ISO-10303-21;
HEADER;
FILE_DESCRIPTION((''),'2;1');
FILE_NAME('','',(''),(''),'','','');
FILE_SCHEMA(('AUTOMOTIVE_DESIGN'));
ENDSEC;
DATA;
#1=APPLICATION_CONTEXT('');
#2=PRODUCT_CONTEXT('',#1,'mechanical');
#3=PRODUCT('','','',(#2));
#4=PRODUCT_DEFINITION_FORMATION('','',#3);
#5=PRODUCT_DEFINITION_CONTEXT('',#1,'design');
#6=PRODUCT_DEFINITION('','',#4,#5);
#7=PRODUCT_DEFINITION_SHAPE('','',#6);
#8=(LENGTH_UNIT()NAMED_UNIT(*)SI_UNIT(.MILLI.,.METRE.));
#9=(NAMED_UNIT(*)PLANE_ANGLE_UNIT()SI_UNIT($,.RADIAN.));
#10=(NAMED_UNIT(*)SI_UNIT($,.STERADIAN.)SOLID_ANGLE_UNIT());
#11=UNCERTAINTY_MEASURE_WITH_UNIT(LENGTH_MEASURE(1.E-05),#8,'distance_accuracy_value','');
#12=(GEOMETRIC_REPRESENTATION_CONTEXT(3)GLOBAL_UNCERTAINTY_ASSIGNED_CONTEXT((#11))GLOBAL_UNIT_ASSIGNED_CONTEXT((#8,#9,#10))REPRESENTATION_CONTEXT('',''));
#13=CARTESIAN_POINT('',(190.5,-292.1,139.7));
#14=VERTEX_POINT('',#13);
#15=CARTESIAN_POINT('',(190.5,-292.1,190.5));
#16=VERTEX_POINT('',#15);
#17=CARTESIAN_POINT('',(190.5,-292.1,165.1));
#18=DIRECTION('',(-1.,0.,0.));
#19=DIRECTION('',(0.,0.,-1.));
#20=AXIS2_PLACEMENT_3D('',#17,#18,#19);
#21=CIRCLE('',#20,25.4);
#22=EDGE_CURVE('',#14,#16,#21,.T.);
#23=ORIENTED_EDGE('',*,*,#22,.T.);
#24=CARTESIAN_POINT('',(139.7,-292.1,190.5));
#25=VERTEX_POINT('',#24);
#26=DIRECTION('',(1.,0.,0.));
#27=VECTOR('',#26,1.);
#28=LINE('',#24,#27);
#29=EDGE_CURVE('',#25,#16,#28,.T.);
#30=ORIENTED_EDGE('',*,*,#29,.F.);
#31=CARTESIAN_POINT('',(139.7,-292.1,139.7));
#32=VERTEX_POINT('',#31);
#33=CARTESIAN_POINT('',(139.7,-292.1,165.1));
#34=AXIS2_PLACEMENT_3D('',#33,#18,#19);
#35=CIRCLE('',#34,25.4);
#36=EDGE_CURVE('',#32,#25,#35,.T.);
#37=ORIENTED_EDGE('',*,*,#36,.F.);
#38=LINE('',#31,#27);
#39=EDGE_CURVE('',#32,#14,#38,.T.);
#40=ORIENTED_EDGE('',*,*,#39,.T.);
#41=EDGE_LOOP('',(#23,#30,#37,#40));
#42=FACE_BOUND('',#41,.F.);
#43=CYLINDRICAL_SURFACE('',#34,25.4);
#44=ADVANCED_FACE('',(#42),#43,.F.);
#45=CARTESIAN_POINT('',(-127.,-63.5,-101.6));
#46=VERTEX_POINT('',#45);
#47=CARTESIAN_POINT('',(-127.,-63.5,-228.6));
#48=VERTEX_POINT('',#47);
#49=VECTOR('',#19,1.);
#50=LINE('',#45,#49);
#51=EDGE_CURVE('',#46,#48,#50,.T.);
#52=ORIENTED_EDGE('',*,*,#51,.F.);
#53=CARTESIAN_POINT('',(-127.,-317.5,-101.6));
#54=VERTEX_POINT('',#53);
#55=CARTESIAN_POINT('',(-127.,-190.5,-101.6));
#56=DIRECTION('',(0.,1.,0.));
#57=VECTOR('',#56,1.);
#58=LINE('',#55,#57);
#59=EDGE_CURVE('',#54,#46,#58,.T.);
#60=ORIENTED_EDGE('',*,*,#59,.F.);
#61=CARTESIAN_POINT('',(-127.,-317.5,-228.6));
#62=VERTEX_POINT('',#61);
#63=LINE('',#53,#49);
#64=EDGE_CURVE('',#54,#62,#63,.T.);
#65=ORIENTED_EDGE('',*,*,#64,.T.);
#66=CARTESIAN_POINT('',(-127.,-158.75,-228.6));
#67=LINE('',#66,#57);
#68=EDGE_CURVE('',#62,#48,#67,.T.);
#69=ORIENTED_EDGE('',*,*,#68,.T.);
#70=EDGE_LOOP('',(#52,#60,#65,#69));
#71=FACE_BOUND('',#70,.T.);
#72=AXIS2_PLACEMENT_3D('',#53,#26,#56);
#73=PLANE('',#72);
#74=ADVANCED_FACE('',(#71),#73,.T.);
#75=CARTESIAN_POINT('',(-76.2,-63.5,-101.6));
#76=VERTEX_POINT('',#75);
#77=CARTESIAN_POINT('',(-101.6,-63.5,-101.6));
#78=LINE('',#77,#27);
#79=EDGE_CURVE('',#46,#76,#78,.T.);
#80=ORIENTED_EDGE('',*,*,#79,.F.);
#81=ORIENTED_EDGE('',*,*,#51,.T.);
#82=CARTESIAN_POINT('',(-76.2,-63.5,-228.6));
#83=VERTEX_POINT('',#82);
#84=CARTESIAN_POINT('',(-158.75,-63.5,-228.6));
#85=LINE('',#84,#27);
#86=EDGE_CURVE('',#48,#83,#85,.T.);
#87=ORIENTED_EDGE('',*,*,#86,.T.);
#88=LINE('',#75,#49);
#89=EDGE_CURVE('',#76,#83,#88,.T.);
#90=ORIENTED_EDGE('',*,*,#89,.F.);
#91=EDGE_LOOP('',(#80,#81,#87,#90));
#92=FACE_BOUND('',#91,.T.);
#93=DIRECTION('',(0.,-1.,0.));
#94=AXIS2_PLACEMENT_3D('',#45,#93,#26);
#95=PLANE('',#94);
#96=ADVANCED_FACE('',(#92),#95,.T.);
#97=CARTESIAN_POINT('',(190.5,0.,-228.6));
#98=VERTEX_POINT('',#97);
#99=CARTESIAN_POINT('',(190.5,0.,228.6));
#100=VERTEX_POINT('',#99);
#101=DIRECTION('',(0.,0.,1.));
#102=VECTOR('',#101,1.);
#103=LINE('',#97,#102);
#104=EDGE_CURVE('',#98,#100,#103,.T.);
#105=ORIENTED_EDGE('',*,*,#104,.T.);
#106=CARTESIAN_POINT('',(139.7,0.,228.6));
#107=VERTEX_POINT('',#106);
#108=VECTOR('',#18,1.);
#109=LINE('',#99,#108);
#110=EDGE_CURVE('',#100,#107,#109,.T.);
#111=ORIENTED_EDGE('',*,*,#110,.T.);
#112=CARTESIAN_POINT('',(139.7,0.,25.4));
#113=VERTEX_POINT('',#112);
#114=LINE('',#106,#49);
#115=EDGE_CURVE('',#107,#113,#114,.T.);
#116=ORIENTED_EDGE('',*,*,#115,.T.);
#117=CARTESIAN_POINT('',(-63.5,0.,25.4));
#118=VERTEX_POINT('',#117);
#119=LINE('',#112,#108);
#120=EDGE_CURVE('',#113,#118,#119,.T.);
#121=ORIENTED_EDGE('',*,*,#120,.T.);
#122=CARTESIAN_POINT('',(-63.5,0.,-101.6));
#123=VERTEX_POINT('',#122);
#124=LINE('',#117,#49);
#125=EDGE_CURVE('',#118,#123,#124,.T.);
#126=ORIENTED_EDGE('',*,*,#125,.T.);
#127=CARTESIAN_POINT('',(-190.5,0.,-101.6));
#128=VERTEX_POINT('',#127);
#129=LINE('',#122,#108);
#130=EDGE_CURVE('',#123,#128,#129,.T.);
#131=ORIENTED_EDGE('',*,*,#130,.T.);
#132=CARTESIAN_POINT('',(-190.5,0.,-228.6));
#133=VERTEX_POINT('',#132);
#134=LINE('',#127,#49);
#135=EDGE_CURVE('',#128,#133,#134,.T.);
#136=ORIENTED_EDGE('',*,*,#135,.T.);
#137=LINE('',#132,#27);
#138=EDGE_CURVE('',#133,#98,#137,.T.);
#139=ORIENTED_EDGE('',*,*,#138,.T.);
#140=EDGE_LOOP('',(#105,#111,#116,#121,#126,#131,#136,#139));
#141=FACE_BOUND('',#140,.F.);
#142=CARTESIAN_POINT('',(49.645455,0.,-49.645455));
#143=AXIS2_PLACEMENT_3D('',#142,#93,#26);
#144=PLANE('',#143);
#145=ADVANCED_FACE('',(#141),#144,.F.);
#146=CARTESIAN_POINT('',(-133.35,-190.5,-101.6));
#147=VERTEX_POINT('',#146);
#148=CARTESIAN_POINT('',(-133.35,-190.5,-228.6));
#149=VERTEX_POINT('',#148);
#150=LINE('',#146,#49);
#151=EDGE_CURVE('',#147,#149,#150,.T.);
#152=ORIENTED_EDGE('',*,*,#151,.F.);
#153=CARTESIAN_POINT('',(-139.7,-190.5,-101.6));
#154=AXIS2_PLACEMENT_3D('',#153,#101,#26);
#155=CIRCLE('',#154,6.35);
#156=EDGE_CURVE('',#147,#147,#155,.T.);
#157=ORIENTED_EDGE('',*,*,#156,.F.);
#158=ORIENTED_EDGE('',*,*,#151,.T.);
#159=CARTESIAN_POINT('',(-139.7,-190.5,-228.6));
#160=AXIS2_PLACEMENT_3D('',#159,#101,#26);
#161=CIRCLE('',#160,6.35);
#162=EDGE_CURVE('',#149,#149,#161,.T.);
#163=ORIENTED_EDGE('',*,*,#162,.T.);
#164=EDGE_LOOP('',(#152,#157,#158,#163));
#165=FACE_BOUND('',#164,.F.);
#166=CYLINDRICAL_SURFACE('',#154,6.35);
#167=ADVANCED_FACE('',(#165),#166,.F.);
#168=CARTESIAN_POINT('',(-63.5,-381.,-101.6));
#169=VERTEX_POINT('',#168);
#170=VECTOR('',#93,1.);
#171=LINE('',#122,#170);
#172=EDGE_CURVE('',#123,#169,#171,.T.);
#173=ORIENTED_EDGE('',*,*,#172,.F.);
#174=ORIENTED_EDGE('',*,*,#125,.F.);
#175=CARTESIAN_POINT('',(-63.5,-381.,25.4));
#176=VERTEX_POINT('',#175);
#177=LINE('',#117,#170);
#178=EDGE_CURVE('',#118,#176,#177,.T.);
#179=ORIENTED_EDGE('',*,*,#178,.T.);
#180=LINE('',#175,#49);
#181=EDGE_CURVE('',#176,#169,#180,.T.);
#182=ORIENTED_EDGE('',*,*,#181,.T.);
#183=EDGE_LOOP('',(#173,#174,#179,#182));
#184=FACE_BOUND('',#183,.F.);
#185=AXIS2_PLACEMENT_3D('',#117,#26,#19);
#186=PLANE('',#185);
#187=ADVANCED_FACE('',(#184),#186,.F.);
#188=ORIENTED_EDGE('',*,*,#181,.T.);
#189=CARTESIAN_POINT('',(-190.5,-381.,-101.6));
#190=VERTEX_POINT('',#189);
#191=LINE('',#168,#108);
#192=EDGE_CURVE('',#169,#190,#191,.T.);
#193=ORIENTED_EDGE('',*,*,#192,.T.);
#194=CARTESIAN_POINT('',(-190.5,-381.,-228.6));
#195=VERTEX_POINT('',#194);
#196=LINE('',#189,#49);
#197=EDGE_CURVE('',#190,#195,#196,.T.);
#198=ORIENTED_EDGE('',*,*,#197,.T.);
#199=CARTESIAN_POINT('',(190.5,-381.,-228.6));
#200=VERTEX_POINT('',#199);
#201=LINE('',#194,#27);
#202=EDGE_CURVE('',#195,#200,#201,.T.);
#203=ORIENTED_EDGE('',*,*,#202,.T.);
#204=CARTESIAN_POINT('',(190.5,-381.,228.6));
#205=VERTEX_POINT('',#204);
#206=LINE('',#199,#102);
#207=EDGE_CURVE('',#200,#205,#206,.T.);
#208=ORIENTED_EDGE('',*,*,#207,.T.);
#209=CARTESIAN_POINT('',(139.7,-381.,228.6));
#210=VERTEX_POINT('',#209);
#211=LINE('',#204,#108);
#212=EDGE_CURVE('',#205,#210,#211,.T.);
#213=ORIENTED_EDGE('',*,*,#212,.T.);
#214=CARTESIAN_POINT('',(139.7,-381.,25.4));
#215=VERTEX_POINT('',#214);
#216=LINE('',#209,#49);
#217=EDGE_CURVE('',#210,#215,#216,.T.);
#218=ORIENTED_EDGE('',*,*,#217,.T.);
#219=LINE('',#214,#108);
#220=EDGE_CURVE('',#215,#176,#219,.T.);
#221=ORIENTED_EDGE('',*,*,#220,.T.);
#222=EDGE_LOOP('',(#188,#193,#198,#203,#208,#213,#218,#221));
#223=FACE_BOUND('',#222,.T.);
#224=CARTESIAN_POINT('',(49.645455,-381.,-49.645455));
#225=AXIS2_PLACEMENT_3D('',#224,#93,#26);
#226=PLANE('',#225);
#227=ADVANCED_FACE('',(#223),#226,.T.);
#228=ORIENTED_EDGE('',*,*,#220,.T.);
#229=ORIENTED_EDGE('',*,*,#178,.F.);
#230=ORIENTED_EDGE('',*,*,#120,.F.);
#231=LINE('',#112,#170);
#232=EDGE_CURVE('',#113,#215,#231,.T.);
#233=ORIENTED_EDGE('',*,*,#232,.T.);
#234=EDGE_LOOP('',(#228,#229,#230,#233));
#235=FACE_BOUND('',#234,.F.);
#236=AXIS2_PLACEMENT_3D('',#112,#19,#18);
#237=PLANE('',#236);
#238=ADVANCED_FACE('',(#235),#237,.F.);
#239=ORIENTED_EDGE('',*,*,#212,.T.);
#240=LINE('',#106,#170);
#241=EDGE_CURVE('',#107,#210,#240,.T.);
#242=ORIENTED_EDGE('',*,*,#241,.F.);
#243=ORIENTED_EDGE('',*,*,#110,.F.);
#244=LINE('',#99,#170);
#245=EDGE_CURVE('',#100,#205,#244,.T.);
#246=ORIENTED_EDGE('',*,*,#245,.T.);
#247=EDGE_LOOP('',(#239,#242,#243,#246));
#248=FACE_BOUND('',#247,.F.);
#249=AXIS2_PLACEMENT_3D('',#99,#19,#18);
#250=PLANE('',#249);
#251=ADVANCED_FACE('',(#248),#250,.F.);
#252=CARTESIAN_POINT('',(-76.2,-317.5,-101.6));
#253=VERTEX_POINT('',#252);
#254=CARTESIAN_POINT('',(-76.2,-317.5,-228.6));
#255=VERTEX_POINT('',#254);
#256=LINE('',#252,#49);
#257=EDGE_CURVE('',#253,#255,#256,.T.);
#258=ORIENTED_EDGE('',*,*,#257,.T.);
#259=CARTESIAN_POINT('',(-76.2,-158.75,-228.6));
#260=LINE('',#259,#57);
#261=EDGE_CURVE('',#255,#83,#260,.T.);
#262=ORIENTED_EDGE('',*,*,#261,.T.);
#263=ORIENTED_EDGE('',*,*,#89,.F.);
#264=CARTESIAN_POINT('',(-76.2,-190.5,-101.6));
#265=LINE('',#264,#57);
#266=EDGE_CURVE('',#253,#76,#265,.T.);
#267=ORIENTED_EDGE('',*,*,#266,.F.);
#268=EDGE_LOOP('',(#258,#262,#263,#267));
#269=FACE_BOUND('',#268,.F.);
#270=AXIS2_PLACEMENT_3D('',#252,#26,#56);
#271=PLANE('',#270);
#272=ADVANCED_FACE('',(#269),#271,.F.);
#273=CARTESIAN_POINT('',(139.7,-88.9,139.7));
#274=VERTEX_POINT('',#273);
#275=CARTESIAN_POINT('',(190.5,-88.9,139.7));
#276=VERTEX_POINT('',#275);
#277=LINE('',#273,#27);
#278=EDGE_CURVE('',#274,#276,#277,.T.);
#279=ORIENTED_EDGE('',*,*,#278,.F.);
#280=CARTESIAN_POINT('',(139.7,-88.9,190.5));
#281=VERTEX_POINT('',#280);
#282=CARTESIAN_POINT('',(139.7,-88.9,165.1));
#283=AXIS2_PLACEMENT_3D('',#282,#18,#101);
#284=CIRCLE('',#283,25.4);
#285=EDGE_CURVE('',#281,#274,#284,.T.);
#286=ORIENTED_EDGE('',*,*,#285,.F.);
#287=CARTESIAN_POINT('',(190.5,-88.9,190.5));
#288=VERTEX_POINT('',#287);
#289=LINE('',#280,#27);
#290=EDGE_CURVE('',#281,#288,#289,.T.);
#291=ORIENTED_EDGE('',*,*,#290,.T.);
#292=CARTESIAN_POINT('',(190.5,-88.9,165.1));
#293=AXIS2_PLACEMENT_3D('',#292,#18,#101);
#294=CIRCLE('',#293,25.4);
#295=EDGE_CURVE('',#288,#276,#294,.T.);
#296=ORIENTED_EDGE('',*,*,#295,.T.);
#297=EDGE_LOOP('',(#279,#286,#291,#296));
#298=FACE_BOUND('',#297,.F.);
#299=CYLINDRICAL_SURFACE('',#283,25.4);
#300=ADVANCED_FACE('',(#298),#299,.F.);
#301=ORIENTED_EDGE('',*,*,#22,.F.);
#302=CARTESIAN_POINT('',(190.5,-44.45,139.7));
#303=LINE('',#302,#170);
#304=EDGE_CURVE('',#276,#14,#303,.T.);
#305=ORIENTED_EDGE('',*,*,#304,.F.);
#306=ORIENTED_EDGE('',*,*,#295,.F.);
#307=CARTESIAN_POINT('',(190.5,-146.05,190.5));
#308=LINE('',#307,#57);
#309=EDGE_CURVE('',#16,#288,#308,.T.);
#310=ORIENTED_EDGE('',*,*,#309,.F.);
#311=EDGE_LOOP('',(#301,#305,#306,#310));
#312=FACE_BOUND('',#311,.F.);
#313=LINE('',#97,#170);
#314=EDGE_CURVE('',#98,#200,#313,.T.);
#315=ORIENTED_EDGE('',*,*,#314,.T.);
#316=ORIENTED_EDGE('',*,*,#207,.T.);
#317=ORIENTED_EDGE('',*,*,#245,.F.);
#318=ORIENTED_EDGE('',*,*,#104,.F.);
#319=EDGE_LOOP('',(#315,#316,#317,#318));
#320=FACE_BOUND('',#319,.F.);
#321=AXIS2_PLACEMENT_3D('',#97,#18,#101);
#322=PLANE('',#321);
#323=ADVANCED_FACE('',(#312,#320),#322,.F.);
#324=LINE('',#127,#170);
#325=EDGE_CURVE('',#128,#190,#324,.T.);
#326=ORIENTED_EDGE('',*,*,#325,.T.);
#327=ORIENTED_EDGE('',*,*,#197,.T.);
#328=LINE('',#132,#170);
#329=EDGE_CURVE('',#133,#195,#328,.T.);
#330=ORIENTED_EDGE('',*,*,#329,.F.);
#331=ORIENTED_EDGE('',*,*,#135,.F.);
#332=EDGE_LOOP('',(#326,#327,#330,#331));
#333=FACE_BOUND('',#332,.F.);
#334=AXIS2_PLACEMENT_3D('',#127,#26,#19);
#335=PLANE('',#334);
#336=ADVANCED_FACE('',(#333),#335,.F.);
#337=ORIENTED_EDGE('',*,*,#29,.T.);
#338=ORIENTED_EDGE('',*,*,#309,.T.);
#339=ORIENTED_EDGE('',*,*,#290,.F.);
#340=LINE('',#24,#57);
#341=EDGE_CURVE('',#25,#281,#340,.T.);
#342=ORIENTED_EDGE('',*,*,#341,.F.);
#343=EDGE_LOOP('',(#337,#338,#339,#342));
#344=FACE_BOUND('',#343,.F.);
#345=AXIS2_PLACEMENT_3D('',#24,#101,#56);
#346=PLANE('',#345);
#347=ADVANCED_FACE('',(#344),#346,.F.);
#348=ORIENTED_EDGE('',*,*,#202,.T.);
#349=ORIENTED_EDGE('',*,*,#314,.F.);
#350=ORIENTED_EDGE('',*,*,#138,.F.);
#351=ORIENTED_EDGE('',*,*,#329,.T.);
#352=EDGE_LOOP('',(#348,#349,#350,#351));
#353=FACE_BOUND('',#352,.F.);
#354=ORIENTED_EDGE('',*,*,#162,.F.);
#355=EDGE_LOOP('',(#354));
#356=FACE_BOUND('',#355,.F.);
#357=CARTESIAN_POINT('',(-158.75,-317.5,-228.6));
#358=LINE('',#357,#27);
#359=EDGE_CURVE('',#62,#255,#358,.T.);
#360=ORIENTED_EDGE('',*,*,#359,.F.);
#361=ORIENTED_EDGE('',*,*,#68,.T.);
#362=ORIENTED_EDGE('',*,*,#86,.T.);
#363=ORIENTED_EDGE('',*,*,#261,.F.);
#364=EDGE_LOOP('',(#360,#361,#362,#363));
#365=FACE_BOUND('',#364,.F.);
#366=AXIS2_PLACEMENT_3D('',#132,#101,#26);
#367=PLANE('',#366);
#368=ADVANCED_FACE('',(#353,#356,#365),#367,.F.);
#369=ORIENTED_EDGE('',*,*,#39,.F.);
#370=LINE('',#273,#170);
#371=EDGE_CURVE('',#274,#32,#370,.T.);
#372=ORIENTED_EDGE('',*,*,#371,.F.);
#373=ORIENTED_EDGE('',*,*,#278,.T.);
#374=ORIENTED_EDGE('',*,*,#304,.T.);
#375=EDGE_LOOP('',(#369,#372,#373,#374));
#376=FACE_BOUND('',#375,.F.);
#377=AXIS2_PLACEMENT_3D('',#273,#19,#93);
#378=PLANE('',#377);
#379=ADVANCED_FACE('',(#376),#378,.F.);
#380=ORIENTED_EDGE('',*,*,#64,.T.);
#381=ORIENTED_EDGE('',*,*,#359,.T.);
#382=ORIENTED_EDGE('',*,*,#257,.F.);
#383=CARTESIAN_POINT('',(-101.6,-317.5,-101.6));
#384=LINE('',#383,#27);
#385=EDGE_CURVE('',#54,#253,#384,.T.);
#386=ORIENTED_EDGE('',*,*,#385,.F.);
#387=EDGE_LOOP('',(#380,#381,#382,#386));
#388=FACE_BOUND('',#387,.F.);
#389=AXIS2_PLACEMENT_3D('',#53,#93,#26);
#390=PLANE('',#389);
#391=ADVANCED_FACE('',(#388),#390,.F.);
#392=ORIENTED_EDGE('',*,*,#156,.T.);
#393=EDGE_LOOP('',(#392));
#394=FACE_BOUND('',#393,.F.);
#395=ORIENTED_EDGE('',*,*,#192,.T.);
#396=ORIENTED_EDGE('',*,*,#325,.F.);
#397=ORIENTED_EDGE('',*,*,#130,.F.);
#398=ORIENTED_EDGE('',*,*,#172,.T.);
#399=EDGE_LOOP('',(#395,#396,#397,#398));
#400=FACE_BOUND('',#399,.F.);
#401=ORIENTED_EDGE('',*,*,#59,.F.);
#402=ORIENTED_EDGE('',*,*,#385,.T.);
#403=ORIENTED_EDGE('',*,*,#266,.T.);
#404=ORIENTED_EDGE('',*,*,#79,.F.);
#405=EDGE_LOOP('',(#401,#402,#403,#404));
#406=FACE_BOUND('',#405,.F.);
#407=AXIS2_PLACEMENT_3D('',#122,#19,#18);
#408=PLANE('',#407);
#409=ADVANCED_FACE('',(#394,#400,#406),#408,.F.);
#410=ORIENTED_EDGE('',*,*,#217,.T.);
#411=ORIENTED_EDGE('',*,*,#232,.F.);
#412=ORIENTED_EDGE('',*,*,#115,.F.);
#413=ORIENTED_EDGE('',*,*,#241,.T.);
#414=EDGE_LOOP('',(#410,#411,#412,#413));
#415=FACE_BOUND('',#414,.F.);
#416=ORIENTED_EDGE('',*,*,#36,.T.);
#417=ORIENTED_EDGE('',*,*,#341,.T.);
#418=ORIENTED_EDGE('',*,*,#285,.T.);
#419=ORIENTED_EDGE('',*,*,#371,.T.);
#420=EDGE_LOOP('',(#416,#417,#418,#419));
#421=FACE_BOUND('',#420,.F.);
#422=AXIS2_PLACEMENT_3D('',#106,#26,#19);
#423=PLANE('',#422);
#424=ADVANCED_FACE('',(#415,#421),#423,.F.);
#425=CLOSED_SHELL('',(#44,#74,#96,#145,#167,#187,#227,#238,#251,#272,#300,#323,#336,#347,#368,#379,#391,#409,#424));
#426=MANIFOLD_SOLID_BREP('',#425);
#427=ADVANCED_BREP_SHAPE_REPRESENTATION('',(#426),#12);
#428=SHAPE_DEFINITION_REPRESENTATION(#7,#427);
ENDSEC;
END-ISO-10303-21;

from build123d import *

# Parameters (mm, degrees)
F1_DEPTH = 381
F2_R     = 6.35
F3_DEPTH = 127.001
F4_W     = 50.8
F4_H     = 254
F5_DEPTH = 127.001
F7_DEPTH = 63.5


with BuildPart() as f1:
    # F0 (on Front) → F1 (new body)
    with BuildSketch(Plane.XZ):
        Polygon((190.5, -228.6), (190.5, 228.6), (139.7, 228.6), (139.7, 25.4), (-63.5, 25.4), (-63.5, -101.6), (-190.5, -101.6), (-190.5, -228.6), align=None)
    extrude(amount=F1_DEPTH)

    # F2 (on face) → F3 (cut, through all)
    with BuildSketch(Plane.XY.offset(-101.6)):
        with Locations((-139.7, -190.5)):
            Circle(F2_R)
    extrude(amount=-F3_DEPTH, mode=Mode.SUBTRACT)

    # F4 (on face) → F5 (cut, through all)
    with BuildSketch(Plane.XY.offset(-101.6)):
        with Locations((-101.6, -190.5)):
            Rectangle(F4_W, F4_H)
    extrude(amount=-F5_DEPTH, mode=Mode.SUBTRACT)

    # F6 (on face) → F7 (cut)
    with BuildSketch(Plane(origin=(139.7, 0, 0), x_dir=(0, -1, 0), z_dir=(-1, 0, 0))):
        with BuildLine():
            Line((88.9, 139.7), (292.1, 139.7))
            ThreePointArc((292.1, 139.7), (317.5, 165.1), (292.1, 190.5))
            Line((292.1, 190.5), (88.9, 190.5))
            ThreePointArc((88.9, 190.5), (63.5, 165.1), (88.9, 139.7))
        make_face()
    extrude(amount=-F7_DEPTH, mode=Mode.SUBTRACT)


solid = f1.part
